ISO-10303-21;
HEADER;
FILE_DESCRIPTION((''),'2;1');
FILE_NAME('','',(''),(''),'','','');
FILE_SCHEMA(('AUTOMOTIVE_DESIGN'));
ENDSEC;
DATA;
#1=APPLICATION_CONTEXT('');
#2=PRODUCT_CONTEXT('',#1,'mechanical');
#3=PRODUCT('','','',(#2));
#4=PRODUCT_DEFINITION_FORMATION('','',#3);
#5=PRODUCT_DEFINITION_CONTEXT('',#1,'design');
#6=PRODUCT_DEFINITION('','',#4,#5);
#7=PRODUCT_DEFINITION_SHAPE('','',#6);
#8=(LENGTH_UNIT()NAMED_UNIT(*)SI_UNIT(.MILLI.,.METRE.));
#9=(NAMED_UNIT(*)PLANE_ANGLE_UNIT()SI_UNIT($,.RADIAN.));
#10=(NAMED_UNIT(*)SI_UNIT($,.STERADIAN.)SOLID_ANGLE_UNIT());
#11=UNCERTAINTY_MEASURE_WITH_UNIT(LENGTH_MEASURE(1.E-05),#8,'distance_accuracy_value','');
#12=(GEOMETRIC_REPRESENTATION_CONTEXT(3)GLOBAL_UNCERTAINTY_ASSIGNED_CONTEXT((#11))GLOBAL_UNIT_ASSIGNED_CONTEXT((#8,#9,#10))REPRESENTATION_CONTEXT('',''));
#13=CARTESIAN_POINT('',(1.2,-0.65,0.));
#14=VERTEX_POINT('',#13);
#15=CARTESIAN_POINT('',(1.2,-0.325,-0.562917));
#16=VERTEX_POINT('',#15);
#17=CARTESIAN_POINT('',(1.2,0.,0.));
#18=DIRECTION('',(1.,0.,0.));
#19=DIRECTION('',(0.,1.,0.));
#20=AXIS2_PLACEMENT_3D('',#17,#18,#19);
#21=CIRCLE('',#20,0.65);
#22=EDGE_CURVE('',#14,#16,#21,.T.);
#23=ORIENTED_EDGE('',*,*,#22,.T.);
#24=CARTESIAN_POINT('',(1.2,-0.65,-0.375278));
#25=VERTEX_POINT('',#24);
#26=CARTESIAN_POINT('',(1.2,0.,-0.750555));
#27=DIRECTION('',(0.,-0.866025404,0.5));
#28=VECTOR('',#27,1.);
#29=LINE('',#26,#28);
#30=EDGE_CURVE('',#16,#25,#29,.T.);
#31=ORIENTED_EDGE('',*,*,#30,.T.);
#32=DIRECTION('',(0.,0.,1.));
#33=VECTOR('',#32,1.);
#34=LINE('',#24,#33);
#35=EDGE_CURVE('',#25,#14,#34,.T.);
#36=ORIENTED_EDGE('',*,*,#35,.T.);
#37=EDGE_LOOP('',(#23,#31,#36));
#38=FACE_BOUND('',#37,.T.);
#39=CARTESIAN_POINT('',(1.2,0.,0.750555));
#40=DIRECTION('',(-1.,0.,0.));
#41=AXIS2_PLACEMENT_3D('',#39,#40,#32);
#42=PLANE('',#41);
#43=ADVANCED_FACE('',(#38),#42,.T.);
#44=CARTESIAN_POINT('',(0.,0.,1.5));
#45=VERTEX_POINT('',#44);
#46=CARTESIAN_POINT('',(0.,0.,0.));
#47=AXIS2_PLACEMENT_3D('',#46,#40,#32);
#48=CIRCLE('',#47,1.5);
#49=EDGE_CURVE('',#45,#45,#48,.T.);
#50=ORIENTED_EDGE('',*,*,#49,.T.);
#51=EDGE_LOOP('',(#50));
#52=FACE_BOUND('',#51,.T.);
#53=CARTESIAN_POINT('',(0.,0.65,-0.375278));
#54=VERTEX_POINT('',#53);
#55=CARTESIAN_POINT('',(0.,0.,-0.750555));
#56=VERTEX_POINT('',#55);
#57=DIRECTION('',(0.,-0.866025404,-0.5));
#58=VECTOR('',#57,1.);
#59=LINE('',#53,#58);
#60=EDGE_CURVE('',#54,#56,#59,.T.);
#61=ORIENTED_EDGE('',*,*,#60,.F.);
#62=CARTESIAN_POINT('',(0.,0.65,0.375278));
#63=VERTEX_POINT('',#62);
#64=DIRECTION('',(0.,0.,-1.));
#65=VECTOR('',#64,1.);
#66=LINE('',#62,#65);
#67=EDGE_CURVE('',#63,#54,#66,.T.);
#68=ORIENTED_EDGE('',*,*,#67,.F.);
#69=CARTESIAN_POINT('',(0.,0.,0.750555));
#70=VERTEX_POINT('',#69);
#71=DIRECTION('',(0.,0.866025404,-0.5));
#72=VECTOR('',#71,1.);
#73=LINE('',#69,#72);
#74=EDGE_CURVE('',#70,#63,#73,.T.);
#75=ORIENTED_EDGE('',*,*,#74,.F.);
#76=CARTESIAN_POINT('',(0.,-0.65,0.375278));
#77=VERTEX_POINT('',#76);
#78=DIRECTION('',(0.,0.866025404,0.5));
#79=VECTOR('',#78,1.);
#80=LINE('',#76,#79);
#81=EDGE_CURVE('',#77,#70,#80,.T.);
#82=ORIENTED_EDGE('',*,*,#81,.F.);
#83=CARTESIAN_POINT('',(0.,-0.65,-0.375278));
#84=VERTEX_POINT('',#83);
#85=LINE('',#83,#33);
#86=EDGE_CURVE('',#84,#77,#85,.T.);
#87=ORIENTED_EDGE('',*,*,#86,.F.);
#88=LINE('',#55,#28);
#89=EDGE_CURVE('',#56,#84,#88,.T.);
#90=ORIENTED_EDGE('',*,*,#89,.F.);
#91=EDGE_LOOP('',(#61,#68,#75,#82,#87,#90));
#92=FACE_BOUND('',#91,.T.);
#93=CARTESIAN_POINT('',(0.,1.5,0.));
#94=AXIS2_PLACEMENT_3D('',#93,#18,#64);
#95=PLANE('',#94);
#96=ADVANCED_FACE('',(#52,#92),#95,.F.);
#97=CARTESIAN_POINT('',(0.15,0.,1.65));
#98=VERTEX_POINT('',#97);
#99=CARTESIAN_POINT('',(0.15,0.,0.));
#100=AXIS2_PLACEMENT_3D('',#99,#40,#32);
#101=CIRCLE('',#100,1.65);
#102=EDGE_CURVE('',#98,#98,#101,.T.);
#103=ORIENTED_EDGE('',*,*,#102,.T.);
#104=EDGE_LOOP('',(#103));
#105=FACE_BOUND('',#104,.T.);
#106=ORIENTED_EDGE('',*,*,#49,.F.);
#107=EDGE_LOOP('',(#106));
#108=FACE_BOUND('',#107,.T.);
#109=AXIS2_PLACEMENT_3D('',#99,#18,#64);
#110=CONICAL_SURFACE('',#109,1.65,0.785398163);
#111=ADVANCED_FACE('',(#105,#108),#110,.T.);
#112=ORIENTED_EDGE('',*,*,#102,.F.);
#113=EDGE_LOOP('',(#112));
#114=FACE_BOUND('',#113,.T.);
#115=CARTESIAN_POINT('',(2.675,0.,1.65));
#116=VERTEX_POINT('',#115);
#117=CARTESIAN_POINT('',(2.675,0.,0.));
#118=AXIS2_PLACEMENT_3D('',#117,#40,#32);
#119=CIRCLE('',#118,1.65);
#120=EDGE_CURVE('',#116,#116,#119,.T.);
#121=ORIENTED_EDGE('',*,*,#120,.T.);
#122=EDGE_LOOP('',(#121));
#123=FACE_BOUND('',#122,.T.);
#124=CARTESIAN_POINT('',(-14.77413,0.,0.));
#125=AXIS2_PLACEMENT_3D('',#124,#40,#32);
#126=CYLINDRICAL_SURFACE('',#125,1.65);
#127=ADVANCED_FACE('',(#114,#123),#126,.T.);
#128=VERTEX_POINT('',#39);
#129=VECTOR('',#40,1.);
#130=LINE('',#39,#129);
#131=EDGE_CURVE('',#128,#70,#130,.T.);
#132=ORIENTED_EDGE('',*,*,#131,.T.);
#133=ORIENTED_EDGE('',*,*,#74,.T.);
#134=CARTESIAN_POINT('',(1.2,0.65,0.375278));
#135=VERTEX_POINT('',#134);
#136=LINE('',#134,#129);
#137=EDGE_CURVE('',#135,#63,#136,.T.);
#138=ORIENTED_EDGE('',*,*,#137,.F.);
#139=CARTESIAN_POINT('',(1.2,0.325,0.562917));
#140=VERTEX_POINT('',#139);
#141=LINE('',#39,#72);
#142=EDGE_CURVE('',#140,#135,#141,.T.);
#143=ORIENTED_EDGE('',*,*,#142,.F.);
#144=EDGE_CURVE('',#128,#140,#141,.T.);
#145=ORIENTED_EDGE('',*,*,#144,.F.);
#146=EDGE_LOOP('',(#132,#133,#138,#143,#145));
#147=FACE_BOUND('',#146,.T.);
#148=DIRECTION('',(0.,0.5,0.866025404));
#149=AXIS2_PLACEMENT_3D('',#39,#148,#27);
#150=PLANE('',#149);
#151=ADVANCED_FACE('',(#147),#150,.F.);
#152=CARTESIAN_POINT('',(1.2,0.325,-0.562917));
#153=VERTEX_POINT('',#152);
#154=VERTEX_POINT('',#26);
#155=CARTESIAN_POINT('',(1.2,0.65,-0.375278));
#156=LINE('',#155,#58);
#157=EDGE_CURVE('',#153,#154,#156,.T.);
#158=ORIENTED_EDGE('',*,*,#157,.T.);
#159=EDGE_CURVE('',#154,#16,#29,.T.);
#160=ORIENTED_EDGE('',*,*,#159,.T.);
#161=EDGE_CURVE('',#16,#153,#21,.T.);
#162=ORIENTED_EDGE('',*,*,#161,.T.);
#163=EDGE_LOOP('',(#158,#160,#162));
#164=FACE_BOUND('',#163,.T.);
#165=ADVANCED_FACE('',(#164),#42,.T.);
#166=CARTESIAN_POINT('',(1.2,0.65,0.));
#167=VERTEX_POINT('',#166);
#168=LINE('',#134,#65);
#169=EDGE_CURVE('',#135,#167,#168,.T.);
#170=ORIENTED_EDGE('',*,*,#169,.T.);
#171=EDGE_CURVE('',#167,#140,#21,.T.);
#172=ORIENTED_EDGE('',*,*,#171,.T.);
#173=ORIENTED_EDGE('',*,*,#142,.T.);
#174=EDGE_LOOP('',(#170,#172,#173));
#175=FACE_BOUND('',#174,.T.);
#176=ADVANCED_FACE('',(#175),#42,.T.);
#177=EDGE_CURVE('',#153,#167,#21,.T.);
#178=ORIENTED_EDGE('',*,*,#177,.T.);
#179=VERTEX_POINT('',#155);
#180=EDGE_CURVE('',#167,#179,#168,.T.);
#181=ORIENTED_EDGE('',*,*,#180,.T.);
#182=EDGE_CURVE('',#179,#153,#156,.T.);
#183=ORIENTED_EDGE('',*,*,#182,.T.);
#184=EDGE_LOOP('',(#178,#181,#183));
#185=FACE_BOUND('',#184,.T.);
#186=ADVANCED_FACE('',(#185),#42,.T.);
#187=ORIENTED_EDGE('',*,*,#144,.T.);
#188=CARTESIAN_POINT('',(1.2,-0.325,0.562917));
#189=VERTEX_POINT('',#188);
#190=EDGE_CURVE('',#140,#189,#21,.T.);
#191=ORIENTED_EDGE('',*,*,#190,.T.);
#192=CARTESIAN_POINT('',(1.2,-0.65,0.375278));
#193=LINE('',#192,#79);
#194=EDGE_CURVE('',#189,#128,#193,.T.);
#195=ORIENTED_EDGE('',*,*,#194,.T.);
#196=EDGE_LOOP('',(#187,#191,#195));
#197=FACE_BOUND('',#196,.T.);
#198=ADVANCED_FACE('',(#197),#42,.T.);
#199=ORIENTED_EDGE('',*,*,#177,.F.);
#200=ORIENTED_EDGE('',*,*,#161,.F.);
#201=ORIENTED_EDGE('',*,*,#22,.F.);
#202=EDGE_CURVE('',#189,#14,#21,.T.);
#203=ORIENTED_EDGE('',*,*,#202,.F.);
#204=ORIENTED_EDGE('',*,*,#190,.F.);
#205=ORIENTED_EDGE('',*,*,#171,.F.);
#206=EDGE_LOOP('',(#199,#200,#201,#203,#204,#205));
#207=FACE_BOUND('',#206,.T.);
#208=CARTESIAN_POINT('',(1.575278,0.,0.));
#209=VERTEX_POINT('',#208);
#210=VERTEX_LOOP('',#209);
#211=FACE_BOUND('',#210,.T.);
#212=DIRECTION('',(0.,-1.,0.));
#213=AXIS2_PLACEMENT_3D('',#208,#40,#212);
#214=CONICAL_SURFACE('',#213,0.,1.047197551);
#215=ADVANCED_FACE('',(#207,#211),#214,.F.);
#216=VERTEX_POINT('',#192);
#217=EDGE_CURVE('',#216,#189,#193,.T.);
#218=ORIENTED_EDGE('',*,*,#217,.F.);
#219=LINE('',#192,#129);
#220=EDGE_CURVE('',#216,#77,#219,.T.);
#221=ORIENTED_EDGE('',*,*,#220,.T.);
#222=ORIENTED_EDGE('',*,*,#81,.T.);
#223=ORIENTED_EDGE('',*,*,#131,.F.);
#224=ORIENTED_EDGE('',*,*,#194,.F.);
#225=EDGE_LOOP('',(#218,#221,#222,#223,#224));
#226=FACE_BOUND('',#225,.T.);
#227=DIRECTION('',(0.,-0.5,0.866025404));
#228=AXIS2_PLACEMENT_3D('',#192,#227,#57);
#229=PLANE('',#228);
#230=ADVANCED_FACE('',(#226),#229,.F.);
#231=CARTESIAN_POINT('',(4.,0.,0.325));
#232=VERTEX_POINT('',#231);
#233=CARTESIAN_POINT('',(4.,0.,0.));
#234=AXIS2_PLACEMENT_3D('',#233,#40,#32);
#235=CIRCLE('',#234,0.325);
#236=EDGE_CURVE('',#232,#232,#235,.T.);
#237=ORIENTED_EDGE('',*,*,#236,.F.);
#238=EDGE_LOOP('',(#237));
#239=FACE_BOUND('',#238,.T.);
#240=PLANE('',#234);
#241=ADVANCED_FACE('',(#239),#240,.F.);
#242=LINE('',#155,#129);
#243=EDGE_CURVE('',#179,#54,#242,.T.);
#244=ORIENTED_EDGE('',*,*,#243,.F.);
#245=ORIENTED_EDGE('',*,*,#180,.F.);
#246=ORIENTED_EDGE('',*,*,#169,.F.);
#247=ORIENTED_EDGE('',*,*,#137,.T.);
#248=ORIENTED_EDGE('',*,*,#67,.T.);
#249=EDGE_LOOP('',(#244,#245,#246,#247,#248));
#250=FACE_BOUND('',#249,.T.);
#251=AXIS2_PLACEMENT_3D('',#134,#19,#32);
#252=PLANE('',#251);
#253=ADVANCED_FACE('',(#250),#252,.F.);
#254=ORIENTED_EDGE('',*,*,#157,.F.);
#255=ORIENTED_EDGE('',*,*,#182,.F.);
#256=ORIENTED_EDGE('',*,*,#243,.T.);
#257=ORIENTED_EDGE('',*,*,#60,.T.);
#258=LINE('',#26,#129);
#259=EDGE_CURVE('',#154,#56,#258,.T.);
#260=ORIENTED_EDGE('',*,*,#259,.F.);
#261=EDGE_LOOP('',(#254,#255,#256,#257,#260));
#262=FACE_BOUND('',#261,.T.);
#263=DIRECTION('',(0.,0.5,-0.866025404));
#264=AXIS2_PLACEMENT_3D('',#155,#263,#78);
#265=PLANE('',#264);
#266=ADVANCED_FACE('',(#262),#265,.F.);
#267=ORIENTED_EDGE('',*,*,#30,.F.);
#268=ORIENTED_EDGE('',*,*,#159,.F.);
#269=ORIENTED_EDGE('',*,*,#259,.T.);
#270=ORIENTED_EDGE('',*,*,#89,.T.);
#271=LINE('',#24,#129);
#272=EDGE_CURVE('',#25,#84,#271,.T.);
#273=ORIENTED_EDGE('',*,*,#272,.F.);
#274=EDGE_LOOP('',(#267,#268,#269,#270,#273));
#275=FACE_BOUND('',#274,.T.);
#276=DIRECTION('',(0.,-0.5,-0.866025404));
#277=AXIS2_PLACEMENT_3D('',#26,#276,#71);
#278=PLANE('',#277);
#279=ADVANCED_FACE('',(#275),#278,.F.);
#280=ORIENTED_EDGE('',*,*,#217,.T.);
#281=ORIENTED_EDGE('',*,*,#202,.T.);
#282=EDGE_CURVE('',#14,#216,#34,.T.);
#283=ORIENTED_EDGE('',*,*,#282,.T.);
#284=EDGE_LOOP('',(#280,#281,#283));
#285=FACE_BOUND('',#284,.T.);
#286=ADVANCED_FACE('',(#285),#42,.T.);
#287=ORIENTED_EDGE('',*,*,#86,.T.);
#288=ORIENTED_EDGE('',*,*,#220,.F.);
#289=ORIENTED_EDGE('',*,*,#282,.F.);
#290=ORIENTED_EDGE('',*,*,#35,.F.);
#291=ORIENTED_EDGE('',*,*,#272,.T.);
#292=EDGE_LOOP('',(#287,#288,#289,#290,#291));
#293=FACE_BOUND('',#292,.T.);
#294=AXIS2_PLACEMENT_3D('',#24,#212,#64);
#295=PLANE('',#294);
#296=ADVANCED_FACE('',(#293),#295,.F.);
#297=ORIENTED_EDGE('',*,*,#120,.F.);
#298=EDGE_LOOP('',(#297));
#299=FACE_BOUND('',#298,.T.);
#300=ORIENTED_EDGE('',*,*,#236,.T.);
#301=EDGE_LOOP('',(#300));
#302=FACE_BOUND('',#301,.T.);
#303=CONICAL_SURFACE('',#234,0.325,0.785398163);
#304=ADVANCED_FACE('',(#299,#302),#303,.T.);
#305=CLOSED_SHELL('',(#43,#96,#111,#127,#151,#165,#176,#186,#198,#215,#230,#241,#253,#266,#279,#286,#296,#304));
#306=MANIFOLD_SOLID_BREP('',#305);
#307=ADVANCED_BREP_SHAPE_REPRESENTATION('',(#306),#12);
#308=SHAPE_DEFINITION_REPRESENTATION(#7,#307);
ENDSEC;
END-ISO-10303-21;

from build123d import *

# Parameters (mm, degrees)
HEXAGONSOCKET_DEPTH = 1.2


with BuildPart() as part:
    # Sketch1 → Base (revolve)
    with BuildSketch(Plane.XY):
        Polygon((0, 0), (4, 0), (4, 0.325), (2.675, 1.65), (0.15, 1.65), (0, 1.5), align=None)
    revolve(axis=Axis((-14.774129749, 0, 0), (1, 0, 0)))

    # Sketch2 → HexagonSocket (cut)
    with BuildSketch(Plane(origin=(0, 0.220293087, -0.139195271), x_dir=(0, 0, 1), z_dir=(-1, 0, 0))):
        Polygon((0.889750621, -0.220293087), (0.514472946, 0.429706913), (-0.236082404, 0.429706913), (-0.611360079, -0.220293087), (-0.236082404, -0.870293087), (0.514472946, -0.870293087), align=None)
    extrude(amount=-HEXAGONSOCKET_DEPTH, mode=Mode.SUBTRACT)

    # Sketch3 → Cut-Revolve (revolve, cut)
    with BuildSketch(Plane.XY):
        Polygon((1.2, 0.65), (1.575277675, 0), (1.2, 0), align=None)
    revolve(axis=Axis((1.2, 0, 0), (-1, 0, 0)), mode=Mode.SUBTRACT)


solid = part.part
